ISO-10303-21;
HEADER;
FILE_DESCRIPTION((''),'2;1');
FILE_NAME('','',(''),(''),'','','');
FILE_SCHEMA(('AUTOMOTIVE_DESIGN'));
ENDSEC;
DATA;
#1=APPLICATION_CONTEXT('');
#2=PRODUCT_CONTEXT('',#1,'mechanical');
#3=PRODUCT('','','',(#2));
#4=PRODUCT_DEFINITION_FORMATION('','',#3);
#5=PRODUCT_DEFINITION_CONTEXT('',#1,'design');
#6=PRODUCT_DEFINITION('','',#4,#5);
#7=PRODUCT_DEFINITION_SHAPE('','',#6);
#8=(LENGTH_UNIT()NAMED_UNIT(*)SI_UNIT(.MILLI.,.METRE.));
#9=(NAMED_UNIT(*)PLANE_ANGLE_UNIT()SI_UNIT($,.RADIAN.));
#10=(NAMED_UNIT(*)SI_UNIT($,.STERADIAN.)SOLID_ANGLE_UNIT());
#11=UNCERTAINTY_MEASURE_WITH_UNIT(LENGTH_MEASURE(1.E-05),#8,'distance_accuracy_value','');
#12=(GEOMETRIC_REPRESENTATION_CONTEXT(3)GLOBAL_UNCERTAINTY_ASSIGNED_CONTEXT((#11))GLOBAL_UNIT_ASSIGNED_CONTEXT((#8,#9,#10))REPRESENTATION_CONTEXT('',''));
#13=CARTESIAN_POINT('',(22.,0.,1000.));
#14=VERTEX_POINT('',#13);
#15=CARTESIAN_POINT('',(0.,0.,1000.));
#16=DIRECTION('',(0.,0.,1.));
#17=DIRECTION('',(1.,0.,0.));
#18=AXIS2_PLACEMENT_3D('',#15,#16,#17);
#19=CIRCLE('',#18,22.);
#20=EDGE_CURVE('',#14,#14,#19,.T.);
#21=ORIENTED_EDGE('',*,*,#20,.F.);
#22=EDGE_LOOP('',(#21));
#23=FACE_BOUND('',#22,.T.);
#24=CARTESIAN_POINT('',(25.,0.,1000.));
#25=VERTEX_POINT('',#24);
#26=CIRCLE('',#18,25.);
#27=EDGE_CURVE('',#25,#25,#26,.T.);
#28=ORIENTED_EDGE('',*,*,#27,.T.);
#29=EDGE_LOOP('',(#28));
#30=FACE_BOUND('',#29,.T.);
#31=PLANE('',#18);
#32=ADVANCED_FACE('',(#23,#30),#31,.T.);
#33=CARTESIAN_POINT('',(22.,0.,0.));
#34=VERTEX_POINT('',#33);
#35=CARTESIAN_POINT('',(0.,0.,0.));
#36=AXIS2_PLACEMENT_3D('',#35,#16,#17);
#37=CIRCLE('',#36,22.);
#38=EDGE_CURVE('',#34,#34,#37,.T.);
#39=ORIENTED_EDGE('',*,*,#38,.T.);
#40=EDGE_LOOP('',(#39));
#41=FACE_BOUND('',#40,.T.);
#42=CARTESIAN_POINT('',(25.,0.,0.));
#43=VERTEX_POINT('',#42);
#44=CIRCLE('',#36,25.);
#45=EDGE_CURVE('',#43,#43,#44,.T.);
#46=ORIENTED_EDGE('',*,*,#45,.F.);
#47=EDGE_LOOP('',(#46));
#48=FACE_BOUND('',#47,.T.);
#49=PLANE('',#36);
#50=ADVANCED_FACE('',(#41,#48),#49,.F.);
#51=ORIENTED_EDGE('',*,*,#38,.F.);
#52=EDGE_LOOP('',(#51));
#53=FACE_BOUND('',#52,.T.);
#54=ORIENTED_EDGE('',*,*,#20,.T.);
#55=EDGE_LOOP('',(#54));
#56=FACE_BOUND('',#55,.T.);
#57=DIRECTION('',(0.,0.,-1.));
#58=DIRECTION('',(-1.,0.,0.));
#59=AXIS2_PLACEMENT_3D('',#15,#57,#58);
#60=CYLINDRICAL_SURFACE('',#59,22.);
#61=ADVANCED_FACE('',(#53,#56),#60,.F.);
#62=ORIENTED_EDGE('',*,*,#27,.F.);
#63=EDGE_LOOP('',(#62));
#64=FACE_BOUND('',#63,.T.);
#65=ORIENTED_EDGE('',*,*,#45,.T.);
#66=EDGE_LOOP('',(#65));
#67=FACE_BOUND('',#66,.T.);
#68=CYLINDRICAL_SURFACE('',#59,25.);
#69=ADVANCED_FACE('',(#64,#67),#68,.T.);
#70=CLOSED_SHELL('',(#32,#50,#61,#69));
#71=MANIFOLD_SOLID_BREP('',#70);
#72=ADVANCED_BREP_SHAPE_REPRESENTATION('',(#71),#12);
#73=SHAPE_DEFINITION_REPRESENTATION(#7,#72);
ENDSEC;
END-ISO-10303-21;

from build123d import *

# Parameters (mm, degrees)
ESQUISSE1_R        = 25
ESQUISSE1_R_2      = 22
BOSS_EXTRU_1_DEPTH = 1000


with BuildPart() as part:
    # Esquisse1 → Boss.-Extru.1 (new body)
    with BuildSketch(Plane.XY):
        Circle(ESQUISSE1_R)
        Circle(ESQUISSE1_R_2, mode=Mode.SUBTRACT)
    extrude(amount=BOSS_EXTRU_1_DEPTH)


solid = part.part
